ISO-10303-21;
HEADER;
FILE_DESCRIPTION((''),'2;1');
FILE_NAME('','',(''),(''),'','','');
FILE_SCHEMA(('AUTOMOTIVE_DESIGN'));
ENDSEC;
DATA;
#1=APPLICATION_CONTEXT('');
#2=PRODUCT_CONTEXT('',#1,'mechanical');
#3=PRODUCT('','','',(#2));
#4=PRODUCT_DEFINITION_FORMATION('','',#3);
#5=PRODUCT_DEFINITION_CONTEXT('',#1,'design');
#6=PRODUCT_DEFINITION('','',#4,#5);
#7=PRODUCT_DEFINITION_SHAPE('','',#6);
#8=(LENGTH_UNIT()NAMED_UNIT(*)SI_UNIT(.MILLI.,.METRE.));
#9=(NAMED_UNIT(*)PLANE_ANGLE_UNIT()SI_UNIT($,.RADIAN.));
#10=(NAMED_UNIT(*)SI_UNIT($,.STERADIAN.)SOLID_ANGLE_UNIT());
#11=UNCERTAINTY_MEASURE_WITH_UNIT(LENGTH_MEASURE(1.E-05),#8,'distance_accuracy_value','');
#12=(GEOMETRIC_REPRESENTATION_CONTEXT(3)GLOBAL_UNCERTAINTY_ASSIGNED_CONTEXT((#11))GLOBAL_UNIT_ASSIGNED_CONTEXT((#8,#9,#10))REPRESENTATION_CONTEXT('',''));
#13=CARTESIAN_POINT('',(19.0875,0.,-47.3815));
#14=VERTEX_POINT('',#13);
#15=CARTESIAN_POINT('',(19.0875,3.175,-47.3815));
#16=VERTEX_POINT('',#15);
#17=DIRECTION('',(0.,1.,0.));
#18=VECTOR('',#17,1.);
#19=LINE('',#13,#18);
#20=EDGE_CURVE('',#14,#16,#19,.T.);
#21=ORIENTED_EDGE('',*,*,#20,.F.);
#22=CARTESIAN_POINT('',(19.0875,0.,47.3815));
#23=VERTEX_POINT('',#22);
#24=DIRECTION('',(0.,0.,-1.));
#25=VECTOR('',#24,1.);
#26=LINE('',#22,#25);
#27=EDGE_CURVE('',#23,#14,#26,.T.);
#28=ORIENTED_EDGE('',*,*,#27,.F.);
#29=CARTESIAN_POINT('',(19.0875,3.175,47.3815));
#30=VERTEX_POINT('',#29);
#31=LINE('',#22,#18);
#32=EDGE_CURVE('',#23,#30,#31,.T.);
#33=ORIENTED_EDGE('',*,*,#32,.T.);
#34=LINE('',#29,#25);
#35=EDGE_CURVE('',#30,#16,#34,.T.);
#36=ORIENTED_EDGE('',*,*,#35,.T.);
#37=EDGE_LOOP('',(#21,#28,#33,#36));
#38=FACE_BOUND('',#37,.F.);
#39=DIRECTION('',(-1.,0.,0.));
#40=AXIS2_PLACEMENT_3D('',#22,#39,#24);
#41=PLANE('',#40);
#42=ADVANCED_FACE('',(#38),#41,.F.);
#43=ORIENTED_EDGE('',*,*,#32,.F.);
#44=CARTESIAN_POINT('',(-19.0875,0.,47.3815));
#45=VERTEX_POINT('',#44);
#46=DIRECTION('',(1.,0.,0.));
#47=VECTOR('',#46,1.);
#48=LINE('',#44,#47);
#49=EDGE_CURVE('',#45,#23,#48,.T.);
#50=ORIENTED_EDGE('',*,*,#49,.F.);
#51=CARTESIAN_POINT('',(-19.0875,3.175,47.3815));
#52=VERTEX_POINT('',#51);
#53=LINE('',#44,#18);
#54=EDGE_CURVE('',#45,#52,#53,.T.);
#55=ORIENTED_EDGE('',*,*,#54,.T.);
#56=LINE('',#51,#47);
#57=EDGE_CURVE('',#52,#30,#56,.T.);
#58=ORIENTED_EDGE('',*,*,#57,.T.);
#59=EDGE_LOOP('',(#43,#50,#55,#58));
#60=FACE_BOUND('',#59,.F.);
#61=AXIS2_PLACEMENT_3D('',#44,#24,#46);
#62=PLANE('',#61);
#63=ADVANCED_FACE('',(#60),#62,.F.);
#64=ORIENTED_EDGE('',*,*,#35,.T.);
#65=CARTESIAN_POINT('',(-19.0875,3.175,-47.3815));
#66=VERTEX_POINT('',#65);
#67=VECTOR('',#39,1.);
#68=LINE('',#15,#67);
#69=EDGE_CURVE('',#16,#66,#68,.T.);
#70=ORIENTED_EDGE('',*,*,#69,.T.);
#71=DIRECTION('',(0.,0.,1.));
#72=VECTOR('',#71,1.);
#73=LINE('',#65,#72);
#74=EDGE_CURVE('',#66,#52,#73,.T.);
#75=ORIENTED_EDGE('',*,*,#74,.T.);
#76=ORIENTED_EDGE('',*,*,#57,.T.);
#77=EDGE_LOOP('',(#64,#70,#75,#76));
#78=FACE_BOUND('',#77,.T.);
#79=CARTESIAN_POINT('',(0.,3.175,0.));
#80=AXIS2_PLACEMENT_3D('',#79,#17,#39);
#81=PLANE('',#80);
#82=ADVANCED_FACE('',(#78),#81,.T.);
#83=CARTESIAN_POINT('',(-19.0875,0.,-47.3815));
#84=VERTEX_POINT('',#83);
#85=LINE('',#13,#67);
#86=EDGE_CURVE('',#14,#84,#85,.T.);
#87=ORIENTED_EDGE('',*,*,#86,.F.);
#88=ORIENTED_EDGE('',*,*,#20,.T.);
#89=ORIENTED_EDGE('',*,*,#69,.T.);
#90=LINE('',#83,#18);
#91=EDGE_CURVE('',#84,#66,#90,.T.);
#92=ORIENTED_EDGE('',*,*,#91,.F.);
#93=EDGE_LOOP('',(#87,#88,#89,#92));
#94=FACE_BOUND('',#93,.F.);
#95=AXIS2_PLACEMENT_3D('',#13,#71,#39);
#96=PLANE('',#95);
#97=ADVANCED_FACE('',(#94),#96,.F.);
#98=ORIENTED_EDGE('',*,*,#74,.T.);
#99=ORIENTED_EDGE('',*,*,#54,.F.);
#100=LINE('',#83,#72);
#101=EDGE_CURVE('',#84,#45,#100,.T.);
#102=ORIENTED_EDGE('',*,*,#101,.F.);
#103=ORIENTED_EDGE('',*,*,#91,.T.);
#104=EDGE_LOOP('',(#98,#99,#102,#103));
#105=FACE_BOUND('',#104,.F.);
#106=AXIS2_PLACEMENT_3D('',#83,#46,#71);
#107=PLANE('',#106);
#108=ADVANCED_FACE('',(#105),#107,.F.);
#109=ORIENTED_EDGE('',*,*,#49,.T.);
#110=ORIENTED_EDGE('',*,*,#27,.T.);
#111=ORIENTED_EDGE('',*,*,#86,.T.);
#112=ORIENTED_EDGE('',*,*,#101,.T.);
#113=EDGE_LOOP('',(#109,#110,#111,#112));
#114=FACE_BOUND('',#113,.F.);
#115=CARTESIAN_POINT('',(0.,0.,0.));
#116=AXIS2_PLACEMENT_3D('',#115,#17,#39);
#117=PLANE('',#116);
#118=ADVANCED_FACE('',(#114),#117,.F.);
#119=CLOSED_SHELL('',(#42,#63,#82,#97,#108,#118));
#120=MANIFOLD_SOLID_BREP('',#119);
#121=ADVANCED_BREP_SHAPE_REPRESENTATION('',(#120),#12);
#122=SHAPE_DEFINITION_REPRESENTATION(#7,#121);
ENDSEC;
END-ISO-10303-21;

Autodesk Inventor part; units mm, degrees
ref_plane "YZ Plane" through (0, 0, 0) normal (1, 0, 0) x (0, 1, 0)
ref_plane "XZ Plane" through (0, 0, 0) normal (0, 1, 0) x (-1, 0, 0)
ref_plane "XY Plane" through (0, 0, 0) normal (0, 0, 1) x (1, 0, 0)
sketch "Sketch1" plane through (0, 0, 0) normal (0, 1, 0) x (-1, 0, 0)
  line L0 (-19.0875, -47.3815) -> (19.0875, -47.3815)
  line L1 (19.0875, -47.3815) -> (19.0875, 47.3815)
  line L2 (19.0875, 47.3815) -> (-19.0875, 47.3815)
  line L3 (-19.0875, 47.3815) -> (-19.0875, -47.3815)
  line L4 (-19.0875, -47.3815) -> (19.0875, 47.3815) construction
  line L5 (19.0875, -47.3815) -> (-19.0875, 47.3815) construction
  point P0 (0, 0)
  dimension "d0" = 94.763
  dimension "d1" = 38.175
extrude "Extrusion1" add sketch "Sketch1" along normal blind 3.175
properties part number "Lead Box Cover" material "Lead"
